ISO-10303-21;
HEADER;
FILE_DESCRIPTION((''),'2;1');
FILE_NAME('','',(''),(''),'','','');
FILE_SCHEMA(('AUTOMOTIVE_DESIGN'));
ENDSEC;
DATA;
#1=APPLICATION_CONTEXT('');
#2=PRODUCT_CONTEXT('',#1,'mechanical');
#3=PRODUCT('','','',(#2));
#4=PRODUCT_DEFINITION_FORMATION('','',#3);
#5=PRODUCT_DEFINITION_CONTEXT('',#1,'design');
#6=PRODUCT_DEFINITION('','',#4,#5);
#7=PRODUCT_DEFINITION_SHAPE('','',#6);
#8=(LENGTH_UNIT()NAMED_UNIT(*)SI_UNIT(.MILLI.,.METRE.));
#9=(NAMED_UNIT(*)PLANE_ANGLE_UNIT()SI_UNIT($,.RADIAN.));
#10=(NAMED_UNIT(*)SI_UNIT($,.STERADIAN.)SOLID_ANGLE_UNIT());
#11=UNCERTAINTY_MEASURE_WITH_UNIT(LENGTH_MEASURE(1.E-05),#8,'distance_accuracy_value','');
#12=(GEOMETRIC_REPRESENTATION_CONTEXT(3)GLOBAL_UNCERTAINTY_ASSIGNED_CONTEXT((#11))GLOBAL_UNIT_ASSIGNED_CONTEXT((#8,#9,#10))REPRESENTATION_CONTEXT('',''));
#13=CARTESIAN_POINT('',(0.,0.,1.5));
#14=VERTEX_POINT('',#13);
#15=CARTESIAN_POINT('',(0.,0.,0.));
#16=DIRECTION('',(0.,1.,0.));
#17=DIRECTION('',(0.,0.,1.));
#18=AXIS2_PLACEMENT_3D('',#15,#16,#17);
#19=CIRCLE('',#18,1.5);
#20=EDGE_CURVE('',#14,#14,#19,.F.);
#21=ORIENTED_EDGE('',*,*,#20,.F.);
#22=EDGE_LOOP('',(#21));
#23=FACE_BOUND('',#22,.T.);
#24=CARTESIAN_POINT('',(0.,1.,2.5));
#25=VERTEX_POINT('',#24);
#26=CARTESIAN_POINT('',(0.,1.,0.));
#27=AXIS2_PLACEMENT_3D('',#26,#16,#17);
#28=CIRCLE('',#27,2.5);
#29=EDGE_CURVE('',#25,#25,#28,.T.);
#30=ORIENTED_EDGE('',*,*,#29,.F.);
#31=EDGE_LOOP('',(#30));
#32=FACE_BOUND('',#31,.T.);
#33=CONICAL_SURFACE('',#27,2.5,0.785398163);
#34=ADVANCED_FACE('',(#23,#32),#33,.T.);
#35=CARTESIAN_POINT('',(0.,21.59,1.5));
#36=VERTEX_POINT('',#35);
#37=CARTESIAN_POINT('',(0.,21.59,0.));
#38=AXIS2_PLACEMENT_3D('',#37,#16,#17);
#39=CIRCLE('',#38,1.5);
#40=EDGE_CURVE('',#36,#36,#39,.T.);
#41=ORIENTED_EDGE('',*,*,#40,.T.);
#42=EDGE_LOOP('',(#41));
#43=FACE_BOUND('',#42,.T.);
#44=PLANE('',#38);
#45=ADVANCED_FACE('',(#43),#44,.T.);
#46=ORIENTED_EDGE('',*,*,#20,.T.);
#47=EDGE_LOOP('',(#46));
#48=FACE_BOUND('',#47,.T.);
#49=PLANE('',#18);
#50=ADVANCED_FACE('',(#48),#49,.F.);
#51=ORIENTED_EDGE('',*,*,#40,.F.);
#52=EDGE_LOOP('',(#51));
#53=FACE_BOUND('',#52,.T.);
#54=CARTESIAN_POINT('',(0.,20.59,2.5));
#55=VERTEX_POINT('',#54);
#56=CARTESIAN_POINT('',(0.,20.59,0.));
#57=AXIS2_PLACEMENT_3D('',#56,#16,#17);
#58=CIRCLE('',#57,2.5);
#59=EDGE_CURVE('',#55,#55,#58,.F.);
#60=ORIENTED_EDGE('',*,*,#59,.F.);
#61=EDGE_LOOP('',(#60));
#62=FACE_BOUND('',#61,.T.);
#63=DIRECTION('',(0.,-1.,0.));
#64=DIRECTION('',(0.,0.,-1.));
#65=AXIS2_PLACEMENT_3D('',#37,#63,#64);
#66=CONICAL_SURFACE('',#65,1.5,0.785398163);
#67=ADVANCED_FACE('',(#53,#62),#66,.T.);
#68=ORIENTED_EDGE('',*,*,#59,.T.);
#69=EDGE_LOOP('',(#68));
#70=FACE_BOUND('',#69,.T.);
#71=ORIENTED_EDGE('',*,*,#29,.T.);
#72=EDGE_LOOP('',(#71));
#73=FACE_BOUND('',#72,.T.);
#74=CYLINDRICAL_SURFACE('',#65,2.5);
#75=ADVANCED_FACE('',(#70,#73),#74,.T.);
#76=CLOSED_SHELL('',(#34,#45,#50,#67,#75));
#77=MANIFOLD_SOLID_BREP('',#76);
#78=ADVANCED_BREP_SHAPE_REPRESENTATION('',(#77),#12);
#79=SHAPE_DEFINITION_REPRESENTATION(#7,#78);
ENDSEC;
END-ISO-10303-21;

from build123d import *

# Parameters (mm, degrees)
SKETCH1_R           = 2.5
BOSS_EXTRUDE1_DEPTH = 21.59
CHAMFER1_SIZE       = 1


with BuildPart() as part:
    # Sketch1 → Boss-Extrude1 (new body)
    with BuildSketch(Plane(origin=(0, 0, 0), x_dir=(1, 0, 0), z_dir=(0, 1, 0))):
        with Locations(Location((0, 0, 0), (0, 0, 270))):
            Circle(SKETCH1_R)
    extrude(amount=BOSS_EXTRUDE1_DEPTH)

    # Chamfer1
    chamfer1_edges = [part.edges().sort_by_distance(p)[0] for p in [
        (0, 0, -2.5),
        (0, 21.59, -2.5),
    ]]
    chamfer(chamfer1_edges, length=CHAMFER1_SIZE)


solid = part.part
